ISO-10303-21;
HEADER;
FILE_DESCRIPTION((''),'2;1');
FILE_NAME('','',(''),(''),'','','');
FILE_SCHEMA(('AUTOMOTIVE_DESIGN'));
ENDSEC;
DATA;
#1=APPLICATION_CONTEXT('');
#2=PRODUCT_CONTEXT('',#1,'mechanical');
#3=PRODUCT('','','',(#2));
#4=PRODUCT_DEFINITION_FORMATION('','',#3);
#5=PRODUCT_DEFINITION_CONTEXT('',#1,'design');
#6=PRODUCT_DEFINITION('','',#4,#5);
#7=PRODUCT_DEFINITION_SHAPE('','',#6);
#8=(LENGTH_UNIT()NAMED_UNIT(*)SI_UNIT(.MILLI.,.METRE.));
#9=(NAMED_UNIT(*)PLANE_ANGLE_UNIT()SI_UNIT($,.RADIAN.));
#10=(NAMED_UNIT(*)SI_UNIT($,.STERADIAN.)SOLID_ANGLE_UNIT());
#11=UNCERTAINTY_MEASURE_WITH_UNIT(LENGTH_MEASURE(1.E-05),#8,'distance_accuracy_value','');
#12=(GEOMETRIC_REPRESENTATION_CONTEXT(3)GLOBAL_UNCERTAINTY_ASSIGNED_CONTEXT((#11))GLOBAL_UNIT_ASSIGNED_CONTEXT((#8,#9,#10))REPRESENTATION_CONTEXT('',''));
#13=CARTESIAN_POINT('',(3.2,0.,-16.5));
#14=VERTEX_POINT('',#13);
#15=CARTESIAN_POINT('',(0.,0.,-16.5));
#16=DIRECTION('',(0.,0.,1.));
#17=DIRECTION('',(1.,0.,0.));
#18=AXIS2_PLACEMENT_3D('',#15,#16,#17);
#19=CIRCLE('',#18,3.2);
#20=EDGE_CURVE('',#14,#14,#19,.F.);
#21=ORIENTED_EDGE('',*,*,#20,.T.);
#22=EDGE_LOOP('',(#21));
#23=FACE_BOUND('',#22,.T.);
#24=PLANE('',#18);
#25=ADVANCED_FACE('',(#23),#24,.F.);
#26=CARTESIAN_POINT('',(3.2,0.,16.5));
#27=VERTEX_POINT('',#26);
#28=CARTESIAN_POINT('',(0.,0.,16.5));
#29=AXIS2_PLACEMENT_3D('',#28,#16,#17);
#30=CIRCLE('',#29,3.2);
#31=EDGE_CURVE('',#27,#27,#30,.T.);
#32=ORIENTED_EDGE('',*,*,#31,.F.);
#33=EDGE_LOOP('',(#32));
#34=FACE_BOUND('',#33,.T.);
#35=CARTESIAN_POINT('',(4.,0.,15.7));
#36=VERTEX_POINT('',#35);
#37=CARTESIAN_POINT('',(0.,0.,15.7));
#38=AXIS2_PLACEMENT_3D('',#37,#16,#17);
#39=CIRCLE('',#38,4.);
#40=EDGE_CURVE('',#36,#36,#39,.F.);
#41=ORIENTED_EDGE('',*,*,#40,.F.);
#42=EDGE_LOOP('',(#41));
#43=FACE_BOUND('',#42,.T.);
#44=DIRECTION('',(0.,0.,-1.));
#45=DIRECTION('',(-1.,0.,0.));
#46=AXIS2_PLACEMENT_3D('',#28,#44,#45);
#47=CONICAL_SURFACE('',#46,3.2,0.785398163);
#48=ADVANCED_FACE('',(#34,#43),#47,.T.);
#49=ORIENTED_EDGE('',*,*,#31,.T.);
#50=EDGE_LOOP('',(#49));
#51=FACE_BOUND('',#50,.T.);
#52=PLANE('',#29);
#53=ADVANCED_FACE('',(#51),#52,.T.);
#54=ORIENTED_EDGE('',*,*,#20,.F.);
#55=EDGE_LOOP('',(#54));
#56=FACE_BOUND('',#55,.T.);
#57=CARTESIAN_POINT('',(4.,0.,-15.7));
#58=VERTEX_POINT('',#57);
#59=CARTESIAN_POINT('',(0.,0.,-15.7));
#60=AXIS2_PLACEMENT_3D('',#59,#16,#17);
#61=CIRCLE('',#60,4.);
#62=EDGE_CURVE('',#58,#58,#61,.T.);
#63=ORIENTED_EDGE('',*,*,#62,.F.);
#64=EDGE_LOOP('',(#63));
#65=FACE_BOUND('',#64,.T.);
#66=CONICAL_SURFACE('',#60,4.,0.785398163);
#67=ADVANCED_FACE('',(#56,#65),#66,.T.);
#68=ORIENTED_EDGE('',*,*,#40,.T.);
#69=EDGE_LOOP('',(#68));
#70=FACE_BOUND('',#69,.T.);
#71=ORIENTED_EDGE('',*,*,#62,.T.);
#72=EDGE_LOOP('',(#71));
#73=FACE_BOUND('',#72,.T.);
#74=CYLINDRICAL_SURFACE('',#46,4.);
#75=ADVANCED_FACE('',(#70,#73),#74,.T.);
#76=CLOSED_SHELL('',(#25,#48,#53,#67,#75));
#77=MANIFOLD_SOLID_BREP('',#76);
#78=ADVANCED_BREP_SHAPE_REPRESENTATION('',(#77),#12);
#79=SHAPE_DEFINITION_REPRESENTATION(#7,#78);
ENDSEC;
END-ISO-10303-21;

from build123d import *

# Parameters (mm, degrees)
SKETCH1_R      = 4
EXTRUDE1_DEPTH = 16.5
CHAMFER1_SIZE  = 0.8


with BuildPart() as part:
    # Sketch1 → Extrude1 (new body, symmetric)
    with BuildSketch(Plane.XY):
        Circle(SKETCH1_R)
    extrude(amount=EXTRUDE1_DEPTH, both=True)

    # Chamfer1
    chamfer1_edges = [part.edges().sort_by_distance(p)[0] for p in [
        (-4, 0, -16.5),
        (-4, 0, 16.5),
    ]]
    chamfer(chamfer1_edges, length=CHAMFER1_SIZE)


solid = part.part
